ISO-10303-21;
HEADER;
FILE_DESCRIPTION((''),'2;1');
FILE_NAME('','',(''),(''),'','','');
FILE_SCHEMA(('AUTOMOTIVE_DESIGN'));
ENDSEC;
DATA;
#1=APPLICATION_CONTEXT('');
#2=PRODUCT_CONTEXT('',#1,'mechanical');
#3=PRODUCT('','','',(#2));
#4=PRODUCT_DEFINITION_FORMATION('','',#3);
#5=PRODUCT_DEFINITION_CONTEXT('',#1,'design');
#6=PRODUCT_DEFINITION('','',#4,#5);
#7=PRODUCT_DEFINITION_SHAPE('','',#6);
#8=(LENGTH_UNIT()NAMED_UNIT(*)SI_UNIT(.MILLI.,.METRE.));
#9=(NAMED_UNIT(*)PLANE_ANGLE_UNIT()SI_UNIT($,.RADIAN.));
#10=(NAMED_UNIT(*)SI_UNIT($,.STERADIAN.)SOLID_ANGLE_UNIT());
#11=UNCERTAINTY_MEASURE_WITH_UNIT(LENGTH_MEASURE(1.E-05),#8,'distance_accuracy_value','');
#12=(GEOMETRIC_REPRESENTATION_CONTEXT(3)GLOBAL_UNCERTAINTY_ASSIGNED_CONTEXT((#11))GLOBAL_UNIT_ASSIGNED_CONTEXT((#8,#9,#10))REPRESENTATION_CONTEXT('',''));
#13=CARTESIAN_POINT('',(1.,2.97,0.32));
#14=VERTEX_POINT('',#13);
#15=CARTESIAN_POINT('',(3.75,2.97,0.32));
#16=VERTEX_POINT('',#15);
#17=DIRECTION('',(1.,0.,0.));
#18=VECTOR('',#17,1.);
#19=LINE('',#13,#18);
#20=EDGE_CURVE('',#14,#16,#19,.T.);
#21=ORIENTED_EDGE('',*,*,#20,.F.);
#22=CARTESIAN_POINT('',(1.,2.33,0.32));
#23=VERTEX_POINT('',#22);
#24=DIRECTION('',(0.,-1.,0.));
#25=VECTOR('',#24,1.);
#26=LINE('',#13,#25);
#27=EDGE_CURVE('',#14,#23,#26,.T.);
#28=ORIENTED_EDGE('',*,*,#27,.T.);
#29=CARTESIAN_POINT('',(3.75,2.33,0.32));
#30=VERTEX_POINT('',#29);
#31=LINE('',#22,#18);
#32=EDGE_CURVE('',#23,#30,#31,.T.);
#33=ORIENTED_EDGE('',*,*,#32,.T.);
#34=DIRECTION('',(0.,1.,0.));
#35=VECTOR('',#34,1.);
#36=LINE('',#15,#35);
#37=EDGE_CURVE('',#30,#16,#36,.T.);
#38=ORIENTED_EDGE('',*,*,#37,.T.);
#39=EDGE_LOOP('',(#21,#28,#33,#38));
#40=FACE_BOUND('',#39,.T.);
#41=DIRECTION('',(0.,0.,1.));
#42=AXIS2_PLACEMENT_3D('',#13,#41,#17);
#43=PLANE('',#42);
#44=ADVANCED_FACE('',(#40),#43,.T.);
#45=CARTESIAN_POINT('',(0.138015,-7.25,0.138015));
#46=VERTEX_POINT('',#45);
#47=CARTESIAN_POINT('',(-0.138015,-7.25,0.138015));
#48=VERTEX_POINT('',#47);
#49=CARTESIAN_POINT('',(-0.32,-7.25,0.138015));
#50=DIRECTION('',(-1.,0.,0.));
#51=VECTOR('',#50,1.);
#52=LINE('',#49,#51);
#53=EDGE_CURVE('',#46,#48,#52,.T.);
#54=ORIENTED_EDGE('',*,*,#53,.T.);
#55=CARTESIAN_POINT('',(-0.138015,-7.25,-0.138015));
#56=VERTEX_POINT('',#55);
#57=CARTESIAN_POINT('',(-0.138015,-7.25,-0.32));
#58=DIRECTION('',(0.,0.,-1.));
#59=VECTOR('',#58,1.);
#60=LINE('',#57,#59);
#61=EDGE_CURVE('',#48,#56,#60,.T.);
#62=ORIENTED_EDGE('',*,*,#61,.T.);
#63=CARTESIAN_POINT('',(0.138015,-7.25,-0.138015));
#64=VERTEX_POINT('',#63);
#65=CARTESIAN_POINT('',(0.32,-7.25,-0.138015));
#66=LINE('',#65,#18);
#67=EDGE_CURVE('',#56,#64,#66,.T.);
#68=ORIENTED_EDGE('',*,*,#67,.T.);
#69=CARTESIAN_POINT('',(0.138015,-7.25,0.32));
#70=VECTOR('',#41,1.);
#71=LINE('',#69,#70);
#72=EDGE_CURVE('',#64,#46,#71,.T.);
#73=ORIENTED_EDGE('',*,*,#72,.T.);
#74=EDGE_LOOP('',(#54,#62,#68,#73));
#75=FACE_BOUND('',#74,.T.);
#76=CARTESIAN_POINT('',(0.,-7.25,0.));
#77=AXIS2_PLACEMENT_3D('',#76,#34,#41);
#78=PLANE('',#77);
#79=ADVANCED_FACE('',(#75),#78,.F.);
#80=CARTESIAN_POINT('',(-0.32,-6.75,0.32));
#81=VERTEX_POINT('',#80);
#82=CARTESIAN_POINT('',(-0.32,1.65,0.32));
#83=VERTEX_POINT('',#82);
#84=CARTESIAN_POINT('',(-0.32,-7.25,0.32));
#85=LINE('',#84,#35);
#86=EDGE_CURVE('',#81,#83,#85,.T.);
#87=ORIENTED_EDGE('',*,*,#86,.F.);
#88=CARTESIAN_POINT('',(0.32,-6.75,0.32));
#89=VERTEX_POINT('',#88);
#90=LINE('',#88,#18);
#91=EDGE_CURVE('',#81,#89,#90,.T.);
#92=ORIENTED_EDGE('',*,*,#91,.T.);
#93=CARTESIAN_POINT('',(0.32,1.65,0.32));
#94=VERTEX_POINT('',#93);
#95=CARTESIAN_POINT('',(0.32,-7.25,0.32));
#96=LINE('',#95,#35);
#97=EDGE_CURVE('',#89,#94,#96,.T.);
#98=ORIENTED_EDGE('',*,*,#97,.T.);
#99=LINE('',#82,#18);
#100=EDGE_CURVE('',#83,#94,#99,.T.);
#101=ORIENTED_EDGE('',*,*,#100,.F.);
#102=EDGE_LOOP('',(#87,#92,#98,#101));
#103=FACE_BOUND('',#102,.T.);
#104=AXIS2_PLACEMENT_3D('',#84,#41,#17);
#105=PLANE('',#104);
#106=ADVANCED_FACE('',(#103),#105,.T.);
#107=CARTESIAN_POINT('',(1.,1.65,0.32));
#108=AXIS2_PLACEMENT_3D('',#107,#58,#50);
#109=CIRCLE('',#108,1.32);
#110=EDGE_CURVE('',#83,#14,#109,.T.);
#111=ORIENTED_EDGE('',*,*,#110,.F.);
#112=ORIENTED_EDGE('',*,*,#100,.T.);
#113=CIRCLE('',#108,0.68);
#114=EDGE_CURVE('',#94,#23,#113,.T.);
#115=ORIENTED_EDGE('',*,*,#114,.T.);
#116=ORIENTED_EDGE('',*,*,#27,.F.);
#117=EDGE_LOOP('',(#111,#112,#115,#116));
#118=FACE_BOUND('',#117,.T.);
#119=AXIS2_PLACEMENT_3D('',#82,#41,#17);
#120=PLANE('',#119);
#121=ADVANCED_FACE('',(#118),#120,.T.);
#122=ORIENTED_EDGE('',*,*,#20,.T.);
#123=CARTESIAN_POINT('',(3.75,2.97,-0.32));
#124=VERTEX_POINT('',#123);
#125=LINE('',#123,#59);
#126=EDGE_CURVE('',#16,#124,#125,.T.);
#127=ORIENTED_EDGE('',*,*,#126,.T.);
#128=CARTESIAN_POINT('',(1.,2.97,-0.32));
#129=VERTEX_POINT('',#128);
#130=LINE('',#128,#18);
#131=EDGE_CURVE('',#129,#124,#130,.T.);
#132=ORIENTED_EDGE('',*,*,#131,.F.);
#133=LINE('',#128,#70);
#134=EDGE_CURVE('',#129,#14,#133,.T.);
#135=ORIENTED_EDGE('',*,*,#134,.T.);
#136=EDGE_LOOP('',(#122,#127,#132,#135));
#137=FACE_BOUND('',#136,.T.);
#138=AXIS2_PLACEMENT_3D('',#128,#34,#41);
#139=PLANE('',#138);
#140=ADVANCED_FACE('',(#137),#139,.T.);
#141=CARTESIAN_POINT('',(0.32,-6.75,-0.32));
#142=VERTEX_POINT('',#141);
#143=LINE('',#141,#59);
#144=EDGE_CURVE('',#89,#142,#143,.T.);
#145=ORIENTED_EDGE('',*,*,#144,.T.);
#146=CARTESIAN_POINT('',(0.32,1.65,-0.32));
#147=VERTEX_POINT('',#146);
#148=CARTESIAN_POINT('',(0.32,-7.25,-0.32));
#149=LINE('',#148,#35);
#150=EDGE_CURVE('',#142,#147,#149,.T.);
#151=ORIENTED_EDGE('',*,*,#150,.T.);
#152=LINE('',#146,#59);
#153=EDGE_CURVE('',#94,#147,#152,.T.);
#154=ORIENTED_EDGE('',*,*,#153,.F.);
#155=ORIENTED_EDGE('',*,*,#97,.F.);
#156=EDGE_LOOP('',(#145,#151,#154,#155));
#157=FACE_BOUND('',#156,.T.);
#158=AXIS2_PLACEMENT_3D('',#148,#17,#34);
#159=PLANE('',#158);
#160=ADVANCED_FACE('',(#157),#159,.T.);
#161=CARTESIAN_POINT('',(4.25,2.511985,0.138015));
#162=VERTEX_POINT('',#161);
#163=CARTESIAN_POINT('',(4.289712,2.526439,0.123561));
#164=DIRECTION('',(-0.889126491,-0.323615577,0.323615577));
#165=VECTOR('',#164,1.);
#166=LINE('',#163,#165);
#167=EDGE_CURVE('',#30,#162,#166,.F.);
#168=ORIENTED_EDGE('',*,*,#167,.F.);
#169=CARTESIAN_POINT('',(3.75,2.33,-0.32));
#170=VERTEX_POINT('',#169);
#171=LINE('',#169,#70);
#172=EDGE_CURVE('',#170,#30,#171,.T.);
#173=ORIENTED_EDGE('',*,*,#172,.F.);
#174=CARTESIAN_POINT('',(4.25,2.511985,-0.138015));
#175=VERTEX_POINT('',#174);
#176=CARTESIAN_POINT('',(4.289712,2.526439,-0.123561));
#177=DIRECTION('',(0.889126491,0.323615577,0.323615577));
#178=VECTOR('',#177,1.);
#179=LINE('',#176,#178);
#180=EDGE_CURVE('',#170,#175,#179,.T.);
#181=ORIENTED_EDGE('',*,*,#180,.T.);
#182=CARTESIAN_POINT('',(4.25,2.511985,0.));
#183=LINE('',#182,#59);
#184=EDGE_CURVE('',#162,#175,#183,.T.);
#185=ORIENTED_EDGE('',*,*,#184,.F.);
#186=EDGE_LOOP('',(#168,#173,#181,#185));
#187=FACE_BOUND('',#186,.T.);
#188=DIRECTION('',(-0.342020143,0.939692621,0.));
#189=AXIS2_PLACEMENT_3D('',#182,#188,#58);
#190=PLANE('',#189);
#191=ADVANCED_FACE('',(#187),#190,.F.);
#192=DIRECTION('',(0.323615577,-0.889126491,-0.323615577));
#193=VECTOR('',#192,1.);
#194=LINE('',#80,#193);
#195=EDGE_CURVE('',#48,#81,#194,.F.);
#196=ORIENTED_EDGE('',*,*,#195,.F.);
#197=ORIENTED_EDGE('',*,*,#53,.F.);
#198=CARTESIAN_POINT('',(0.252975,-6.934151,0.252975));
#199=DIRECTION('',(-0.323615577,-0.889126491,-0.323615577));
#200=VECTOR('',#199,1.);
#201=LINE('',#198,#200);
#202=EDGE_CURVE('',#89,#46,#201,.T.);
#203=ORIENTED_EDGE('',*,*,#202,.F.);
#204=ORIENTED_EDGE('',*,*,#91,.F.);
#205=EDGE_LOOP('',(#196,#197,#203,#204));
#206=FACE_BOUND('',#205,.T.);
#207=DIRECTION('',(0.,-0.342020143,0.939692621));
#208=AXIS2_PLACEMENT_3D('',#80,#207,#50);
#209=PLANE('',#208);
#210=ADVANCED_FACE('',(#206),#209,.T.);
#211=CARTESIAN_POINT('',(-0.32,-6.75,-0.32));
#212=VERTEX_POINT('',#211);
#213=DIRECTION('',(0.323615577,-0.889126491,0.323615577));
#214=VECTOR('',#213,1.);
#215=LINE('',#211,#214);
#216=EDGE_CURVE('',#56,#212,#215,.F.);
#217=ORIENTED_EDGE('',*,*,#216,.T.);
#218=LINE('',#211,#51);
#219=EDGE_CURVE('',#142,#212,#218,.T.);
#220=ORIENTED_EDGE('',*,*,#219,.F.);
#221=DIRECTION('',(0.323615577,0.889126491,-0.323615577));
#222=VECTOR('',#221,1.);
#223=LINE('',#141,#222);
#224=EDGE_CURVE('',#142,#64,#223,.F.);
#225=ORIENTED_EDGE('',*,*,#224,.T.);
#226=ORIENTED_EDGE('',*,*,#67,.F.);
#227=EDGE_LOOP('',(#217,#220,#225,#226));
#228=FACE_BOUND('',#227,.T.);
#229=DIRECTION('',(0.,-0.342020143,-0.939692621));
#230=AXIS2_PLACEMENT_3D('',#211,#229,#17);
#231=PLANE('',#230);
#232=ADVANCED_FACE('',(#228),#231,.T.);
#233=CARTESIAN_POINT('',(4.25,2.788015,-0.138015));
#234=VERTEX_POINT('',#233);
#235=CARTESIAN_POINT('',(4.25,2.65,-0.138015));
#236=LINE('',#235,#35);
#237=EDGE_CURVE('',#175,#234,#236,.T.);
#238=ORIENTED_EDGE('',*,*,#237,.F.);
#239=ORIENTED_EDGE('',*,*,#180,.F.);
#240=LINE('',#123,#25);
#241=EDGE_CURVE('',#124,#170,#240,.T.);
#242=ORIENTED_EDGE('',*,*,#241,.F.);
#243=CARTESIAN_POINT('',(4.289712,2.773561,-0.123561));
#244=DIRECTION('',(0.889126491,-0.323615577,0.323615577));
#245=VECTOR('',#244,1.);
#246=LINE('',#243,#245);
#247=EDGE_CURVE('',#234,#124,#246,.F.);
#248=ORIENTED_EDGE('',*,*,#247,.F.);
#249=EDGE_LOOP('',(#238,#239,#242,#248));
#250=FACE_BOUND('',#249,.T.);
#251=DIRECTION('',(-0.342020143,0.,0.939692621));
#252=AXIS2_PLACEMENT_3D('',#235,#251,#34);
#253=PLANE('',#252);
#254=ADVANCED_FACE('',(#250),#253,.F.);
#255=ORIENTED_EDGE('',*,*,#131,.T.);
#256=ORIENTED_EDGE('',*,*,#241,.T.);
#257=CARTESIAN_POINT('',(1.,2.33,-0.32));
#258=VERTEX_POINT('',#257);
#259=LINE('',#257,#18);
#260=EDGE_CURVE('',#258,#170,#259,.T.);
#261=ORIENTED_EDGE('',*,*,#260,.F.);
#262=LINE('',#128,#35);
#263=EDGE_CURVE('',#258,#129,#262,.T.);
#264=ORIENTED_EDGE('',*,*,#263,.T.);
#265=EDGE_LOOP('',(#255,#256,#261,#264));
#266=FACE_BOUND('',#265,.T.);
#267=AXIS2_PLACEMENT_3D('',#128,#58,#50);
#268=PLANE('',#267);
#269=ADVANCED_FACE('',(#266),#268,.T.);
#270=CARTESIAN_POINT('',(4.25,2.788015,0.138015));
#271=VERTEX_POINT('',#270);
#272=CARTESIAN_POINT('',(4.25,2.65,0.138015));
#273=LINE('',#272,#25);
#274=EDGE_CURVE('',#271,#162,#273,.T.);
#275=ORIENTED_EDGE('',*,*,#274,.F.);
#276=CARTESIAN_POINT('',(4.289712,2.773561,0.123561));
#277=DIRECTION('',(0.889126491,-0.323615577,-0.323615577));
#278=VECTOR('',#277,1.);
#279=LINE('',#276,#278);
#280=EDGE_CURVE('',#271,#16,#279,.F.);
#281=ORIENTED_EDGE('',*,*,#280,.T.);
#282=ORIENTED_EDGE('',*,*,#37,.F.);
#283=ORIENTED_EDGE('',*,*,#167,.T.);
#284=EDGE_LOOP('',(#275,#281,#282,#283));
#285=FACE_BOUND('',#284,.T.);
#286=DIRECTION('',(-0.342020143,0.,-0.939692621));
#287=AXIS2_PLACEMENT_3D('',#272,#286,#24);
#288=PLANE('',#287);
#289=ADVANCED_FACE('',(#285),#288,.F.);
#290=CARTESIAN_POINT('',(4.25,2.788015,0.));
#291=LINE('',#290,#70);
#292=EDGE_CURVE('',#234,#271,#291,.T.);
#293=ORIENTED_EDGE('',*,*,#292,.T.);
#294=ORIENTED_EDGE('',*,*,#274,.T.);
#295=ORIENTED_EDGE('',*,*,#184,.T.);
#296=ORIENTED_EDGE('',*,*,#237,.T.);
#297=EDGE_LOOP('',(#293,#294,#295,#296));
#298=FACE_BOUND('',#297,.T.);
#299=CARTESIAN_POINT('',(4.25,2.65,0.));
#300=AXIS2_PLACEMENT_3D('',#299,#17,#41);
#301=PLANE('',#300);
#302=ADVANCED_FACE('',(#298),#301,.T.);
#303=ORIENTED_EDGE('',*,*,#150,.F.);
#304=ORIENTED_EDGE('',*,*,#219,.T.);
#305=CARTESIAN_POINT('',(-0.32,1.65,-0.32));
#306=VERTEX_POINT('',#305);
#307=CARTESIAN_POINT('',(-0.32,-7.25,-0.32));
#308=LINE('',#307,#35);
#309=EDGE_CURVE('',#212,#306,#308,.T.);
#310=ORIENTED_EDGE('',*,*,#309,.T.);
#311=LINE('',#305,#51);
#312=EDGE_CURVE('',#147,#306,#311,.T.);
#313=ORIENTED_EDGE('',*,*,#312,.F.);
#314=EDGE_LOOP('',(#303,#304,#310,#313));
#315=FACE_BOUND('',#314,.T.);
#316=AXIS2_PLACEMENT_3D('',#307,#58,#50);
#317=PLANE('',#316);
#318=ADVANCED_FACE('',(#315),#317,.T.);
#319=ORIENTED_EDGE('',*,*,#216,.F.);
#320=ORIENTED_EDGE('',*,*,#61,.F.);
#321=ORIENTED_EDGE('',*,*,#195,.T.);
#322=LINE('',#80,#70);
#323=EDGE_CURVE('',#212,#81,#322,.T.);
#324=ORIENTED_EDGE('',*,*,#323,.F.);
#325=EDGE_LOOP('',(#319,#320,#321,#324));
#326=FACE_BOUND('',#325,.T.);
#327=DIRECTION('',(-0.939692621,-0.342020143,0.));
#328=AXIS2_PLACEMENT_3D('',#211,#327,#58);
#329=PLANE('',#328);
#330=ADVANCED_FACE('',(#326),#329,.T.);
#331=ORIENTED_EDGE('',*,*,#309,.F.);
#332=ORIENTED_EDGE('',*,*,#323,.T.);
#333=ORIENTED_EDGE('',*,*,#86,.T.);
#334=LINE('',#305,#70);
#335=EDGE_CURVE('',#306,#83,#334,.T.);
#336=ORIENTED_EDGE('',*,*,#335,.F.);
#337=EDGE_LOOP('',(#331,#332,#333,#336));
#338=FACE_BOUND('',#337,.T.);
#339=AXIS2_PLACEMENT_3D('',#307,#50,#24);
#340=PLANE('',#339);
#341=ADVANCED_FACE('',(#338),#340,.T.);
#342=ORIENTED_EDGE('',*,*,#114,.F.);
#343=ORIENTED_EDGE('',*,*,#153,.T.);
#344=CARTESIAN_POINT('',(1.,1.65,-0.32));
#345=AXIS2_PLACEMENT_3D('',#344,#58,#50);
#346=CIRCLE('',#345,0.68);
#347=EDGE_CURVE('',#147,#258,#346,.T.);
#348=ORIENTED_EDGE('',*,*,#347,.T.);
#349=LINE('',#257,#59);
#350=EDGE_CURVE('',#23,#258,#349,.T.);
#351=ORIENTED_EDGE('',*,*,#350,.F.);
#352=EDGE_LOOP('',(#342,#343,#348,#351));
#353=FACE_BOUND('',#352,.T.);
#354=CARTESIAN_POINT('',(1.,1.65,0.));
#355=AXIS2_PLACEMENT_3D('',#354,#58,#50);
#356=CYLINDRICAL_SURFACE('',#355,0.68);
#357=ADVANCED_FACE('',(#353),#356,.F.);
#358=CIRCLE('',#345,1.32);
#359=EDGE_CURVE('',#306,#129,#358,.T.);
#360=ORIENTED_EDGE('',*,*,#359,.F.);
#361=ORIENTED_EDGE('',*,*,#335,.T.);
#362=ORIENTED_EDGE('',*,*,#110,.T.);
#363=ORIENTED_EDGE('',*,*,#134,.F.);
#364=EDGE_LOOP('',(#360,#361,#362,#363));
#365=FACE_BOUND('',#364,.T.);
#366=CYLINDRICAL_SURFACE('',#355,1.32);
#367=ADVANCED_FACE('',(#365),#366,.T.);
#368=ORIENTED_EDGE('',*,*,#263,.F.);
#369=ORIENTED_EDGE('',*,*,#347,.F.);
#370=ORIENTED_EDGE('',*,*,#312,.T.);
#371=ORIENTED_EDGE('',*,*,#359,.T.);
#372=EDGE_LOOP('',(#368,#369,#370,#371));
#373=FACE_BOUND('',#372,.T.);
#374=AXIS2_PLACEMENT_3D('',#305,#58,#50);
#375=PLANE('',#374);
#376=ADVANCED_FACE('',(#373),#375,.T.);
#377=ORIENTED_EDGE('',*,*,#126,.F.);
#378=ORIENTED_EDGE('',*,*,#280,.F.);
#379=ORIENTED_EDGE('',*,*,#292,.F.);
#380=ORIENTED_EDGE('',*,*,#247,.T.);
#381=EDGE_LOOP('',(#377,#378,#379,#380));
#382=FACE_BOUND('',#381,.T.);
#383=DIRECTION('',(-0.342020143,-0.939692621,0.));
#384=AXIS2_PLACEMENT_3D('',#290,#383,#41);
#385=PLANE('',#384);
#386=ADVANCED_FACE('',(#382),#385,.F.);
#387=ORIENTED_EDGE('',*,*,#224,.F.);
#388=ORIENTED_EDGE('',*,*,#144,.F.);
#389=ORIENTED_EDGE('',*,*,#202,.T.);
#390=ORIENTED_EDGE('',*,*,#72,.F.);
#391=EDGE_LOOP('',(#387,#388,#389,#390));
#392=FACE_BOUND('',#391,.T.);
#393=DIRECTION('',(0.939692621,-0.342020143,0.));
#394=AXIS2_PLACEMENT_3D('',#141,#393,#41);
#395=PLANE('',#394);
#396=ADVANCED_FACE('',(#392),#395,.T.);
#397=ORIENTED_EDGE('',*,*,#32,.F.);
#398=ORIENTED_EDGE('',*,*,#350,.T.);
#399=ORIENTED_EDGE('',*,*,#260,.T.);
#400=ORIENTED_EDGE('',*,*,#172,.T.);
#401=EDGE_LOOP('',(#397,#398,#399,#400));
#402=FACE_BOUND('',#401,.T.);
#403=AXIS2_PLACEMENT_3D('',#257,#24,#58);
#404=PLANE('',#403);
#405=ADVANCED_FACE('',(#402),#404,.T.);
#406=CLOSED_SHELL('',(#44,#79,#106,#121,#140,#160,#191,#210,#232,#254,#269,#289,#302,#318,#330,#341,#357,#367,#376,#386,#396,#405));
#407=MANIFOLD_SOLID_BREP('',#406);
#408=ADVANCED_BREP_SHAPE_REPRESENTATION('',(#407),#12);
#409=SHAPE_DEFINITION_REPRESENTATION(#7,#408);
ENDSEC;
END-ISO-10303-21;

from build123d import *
from OCP.BRepFilletAPI import BRepFilletAPI_MakeChamfer

# Parameters (mm, degrees)
SKETCH_1_W      = 0.64
SKETCH_1_H      = 0.64
CHAMFER_1_SIZE  = 0.5
CHAMFER_1_SIZE2 = 0.181985117
CHAMFER_2_SIZE  = 0.5
CHAMFER_2_SIZE2 = 0.181985117


with BuildPart() as part:
    # По траектории1: sweep along a path in Эскиз2
    with BuildLine(Plane.XY) as sweep_1_path:
        Line((4.25, 2.65), (1, 2.65))
        ThreePointArc((1, 2.65), (0.292893219, 2.357106781), (0, 1.65))
        Line((0, 1.65), (0, 0))
        Line((0, 0), (0, -7.25))
    # Эскиз1 → По траектории1 (sweep)
    with BuildSketch(Plane(origin=(0, 0, 0), x_dir=(1, 0, 0), z_dir=(0, 1, 0))):
        Rectangle(SKETCH_1_W, SKETCH_1_H)
    sweep(path=sweep_1_path.line)

    # Фаска1: one chamfer whose edges measure the first distance from different faces: ONE call of the kernel's chamfer builder (chamfer() names one face for all edges)
    chamfer_1_edges_1 = [part.edges().sort_by_distance(p)[0] for p in [
        (4.25, 2.97, 0),
    ]]
    chamfer_1_side_1 = [part.faces().sort_by_distance(p)[0] for p in [
        (2.625, 2.97, 0),
    ]]
    chamfer_1_edges_2 = [part.edges().sort_by_distance(p)[0] for p in [
        (4.25, 2.65, 0.32),
    ]]
    chamfer_1_side_2 = [part.faces().sort_by_distance(p)[0] for p in [
        (2.625, 2.858047644, 0.32),
    ]]
    chamfer_1_edges_3 = [part.edges().sort_by_distance(p)[0] for p in [
        (4.25, 2.33, 0),
    ]]
    chamfer_1_side_3 = [part.faces().sort_by_distance(p)[0] for p in [
        (2.625, 2.33, 0),
    ]]
    chamfer_1_edges_4 = [part.edges().sort_by_distance(p)[0] for p in [
        (4.25, 2.65, -0.32),
    ]]
    chamfer_1_side_4 = [part.faces().sort_by_distance(p)[0] for p in [
        (2.625, 2.441952356, -0.32),
    ]]
    chamfer_1 = BRepFilletAPI_MakeChamfer(part.part.solid().wrapped)
    for e in chamfer_1_edges_1:
        chamfer_1.Add(CHAMFER_1_SIZE, CHAMFER_1_SIZE2, e.wrapped, chamfer_1_side_1[0].wrapped)  # the first distance lies on this face
    for e in chamfer_1_edges_2:
        chamfer_1.Add(CHAMFER_1_SIZE, CHAMFER_1_SIZE2, e.wrapped, chamfer_1_side_2[0].wrapped)  # the first distance lies on this face
    for e in chamfer_1_edges_3:
        chamfer_1.Add(CHAMFER_1_SIZE, CHAMFER_1_SIZE2, e.wrapped, chamfer_1_side_3[0].wrapped)  # the first distance lies on this face
    for e in chamfer_1_edges_4:
        chamfer_1.Add(CHAMFER_1_SIZE, CHAMFER_1_SIZE2, e.wrapped, chamfer_1_side_4[0].wrapped)  # the first distance lies on this face
    add(Compound.cast(chamfer_1.Shape()), mode=Mode.REPLACE)

    # Фаска2: one chamfer whose edges measure the first distance from different faces: ONE call of the kernel's chamfer builder (chamfer() names one face for all edges)
    chamfer_2_edges_1 = [part.edges().sort_by_distance(p)[0] for p in [
        (0, -7.25, 0.32),
    ]]
    chamfer_2_side_1 = [part.faces().sort_by_distance(p)[0] for p in [
        (2.375, 2.859993955, 0.32),
    ]]
    chamfer_2_edges_2 = [part.edges().sort_by_distance(p)[0] for p in [
        (0.32, -7.25, 0),
    ]]
    chamfer_2_side_2 = [part.faces().sort_by_distance(p)[0] for p in [
        (0.32, -2.8, 0),
    ]]
    chamfer_2_edges_3 = [part.edges().sort_by_distance(p)[0] for p in [
        (0, -7.25, -0.32),
    ]]
    chamfer_2_side_3 = [part.faces().sort_by_distance(p)[0] for p in [
        (2.375, 2.440006045, -0.32),
    ]]
    chamfer_2_edges_4 = [part.edges().sort_by_distance(p)[0] for p in [
        (-0.32, -7.25, 0),
    ]]
    chamfer_2_side_4 = [part.faces().sort_by_distance(p)[0] for p in [
        (-0.32, -2.8, 0),
    ]]
    chamfer_2 = BRepFilletAPI_MakeChamfer(part.part.solid().wrapped)
    for e in chamfer_2_edges_1:
        chamfer_2.Add(CHAMFER_2_SIZE, CHAMFER_2_SIZE2, e.wrapped, chamfer_2_side_1[0].wrapped)  # the first distance lies on this face
    for e in chamfer_2_edges_2:
        chamfer_2.Add(CHAMFER_2_SIZE, CHAMFER_2_SIZE2, e.wrapped, chamfer_2_side_2[0].wrapped)  # the first distance lies on this face
    for e in chamfer_2_edges_3:
        chamfer_2.Add(CHAMFER_2_SIZE, CHAMFER_2_SIZE2, e.wrapped, chamfer_2_side_3[0].wrapped)  # the first distance lies on this face
    for e in chamfer_2_edges_4:
        chamfer_2.Add(CHAMFER_2_SIZE, CHAMFER_2_SIZE2, e.wrapped, chamfer_2_side_4[0].wrapped)  # the first distance lies on this face
    add(Compound.cast(chamfer_2.Shape()), mode=Mode.REPLACE)


solid = part.part
